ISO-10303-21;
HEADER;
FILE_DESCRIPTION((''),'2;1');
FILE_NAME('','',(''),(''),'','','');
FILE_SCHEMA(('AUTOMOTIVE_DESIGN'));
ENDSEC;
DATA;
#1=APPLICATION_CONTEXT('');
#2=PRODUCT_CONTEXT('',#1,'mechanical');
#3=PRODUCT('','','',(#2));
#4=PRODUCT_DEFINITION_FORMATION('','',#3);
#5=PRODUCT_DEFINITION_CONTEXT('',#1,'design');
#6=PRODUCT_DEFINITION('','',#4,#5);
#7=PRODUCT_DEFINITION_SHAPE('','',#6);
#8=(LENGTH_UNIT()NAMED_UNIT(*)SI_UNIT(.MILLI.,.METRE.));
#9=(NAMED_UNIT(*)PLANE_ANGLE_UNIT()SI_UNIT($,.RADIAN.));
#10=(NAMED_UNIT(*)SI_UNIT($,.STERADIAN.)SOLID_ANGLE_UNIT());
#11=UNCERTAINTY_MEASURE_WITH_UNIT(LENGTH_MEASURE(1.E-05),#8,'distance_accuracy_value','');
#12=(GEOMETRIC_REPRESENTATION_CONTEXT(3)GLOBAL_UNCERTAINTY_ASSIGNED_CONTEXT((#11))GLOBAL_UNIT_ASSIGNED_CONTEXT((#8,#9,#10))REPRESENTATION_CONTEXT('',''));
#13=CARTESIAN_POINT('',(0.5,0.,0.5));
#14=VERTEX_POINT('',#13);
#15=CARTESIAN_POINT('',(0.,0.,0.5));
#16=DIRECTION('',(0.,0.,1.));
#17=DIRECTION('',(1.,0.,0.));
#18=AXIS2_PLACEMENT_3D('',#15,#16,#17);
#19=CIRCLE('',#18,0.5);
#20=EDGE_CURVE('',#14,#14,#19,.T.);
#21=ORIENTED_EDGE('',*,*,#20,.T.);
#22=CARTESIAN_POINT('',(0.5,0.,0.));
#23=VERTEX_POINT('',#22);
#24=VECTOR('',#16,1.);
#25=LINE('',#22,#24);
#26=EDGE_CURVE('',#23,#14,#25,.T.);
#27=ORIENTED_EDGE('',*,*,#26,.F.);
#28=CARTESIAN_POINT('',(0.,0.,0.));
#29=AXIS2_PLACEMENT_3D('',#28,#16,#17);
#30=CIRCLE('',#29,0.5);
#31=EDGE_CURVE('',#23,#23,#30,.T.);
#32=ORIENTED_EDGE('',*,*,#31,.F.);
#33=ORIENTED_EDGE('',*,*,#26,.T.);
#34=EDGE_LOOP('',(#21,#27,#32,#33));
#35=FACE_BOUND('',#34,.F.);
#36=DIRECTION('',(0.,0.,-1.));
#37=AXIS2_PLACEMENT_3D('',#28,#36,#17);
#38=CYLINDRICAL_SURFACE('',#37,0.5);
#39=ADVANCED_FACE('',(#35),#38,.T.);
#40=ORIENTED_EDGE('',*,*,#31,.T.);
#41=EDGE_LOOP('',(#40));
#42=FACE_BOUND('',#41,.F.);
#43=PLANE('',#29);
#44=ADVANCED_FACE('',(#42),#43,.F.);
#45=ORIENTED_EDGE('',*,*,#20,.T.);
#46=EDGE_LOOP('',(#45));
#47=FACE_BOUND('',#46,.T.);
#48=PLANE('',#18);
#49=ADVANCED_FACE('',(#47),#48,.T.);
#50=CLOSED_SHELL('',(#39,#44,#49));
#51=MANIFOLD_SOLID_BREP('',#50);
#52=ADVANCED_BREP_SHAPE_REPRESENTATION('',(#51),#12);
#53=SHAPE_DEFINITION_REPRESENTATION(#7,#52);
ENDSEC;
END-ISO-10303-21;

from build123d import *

# Parameters (mm, degrees)
CYLINDER_R     = 0.5
CYLINDER_DEPTH = 0.5


with BuildPart() as part:
    # Cylinder → Cylinder (new body)
    with BuildSketch(Plane.XY):
        Circle(CYLINDER_R)
    extrude(amount=CYLINDER_DEPTH)


solid = part.part
